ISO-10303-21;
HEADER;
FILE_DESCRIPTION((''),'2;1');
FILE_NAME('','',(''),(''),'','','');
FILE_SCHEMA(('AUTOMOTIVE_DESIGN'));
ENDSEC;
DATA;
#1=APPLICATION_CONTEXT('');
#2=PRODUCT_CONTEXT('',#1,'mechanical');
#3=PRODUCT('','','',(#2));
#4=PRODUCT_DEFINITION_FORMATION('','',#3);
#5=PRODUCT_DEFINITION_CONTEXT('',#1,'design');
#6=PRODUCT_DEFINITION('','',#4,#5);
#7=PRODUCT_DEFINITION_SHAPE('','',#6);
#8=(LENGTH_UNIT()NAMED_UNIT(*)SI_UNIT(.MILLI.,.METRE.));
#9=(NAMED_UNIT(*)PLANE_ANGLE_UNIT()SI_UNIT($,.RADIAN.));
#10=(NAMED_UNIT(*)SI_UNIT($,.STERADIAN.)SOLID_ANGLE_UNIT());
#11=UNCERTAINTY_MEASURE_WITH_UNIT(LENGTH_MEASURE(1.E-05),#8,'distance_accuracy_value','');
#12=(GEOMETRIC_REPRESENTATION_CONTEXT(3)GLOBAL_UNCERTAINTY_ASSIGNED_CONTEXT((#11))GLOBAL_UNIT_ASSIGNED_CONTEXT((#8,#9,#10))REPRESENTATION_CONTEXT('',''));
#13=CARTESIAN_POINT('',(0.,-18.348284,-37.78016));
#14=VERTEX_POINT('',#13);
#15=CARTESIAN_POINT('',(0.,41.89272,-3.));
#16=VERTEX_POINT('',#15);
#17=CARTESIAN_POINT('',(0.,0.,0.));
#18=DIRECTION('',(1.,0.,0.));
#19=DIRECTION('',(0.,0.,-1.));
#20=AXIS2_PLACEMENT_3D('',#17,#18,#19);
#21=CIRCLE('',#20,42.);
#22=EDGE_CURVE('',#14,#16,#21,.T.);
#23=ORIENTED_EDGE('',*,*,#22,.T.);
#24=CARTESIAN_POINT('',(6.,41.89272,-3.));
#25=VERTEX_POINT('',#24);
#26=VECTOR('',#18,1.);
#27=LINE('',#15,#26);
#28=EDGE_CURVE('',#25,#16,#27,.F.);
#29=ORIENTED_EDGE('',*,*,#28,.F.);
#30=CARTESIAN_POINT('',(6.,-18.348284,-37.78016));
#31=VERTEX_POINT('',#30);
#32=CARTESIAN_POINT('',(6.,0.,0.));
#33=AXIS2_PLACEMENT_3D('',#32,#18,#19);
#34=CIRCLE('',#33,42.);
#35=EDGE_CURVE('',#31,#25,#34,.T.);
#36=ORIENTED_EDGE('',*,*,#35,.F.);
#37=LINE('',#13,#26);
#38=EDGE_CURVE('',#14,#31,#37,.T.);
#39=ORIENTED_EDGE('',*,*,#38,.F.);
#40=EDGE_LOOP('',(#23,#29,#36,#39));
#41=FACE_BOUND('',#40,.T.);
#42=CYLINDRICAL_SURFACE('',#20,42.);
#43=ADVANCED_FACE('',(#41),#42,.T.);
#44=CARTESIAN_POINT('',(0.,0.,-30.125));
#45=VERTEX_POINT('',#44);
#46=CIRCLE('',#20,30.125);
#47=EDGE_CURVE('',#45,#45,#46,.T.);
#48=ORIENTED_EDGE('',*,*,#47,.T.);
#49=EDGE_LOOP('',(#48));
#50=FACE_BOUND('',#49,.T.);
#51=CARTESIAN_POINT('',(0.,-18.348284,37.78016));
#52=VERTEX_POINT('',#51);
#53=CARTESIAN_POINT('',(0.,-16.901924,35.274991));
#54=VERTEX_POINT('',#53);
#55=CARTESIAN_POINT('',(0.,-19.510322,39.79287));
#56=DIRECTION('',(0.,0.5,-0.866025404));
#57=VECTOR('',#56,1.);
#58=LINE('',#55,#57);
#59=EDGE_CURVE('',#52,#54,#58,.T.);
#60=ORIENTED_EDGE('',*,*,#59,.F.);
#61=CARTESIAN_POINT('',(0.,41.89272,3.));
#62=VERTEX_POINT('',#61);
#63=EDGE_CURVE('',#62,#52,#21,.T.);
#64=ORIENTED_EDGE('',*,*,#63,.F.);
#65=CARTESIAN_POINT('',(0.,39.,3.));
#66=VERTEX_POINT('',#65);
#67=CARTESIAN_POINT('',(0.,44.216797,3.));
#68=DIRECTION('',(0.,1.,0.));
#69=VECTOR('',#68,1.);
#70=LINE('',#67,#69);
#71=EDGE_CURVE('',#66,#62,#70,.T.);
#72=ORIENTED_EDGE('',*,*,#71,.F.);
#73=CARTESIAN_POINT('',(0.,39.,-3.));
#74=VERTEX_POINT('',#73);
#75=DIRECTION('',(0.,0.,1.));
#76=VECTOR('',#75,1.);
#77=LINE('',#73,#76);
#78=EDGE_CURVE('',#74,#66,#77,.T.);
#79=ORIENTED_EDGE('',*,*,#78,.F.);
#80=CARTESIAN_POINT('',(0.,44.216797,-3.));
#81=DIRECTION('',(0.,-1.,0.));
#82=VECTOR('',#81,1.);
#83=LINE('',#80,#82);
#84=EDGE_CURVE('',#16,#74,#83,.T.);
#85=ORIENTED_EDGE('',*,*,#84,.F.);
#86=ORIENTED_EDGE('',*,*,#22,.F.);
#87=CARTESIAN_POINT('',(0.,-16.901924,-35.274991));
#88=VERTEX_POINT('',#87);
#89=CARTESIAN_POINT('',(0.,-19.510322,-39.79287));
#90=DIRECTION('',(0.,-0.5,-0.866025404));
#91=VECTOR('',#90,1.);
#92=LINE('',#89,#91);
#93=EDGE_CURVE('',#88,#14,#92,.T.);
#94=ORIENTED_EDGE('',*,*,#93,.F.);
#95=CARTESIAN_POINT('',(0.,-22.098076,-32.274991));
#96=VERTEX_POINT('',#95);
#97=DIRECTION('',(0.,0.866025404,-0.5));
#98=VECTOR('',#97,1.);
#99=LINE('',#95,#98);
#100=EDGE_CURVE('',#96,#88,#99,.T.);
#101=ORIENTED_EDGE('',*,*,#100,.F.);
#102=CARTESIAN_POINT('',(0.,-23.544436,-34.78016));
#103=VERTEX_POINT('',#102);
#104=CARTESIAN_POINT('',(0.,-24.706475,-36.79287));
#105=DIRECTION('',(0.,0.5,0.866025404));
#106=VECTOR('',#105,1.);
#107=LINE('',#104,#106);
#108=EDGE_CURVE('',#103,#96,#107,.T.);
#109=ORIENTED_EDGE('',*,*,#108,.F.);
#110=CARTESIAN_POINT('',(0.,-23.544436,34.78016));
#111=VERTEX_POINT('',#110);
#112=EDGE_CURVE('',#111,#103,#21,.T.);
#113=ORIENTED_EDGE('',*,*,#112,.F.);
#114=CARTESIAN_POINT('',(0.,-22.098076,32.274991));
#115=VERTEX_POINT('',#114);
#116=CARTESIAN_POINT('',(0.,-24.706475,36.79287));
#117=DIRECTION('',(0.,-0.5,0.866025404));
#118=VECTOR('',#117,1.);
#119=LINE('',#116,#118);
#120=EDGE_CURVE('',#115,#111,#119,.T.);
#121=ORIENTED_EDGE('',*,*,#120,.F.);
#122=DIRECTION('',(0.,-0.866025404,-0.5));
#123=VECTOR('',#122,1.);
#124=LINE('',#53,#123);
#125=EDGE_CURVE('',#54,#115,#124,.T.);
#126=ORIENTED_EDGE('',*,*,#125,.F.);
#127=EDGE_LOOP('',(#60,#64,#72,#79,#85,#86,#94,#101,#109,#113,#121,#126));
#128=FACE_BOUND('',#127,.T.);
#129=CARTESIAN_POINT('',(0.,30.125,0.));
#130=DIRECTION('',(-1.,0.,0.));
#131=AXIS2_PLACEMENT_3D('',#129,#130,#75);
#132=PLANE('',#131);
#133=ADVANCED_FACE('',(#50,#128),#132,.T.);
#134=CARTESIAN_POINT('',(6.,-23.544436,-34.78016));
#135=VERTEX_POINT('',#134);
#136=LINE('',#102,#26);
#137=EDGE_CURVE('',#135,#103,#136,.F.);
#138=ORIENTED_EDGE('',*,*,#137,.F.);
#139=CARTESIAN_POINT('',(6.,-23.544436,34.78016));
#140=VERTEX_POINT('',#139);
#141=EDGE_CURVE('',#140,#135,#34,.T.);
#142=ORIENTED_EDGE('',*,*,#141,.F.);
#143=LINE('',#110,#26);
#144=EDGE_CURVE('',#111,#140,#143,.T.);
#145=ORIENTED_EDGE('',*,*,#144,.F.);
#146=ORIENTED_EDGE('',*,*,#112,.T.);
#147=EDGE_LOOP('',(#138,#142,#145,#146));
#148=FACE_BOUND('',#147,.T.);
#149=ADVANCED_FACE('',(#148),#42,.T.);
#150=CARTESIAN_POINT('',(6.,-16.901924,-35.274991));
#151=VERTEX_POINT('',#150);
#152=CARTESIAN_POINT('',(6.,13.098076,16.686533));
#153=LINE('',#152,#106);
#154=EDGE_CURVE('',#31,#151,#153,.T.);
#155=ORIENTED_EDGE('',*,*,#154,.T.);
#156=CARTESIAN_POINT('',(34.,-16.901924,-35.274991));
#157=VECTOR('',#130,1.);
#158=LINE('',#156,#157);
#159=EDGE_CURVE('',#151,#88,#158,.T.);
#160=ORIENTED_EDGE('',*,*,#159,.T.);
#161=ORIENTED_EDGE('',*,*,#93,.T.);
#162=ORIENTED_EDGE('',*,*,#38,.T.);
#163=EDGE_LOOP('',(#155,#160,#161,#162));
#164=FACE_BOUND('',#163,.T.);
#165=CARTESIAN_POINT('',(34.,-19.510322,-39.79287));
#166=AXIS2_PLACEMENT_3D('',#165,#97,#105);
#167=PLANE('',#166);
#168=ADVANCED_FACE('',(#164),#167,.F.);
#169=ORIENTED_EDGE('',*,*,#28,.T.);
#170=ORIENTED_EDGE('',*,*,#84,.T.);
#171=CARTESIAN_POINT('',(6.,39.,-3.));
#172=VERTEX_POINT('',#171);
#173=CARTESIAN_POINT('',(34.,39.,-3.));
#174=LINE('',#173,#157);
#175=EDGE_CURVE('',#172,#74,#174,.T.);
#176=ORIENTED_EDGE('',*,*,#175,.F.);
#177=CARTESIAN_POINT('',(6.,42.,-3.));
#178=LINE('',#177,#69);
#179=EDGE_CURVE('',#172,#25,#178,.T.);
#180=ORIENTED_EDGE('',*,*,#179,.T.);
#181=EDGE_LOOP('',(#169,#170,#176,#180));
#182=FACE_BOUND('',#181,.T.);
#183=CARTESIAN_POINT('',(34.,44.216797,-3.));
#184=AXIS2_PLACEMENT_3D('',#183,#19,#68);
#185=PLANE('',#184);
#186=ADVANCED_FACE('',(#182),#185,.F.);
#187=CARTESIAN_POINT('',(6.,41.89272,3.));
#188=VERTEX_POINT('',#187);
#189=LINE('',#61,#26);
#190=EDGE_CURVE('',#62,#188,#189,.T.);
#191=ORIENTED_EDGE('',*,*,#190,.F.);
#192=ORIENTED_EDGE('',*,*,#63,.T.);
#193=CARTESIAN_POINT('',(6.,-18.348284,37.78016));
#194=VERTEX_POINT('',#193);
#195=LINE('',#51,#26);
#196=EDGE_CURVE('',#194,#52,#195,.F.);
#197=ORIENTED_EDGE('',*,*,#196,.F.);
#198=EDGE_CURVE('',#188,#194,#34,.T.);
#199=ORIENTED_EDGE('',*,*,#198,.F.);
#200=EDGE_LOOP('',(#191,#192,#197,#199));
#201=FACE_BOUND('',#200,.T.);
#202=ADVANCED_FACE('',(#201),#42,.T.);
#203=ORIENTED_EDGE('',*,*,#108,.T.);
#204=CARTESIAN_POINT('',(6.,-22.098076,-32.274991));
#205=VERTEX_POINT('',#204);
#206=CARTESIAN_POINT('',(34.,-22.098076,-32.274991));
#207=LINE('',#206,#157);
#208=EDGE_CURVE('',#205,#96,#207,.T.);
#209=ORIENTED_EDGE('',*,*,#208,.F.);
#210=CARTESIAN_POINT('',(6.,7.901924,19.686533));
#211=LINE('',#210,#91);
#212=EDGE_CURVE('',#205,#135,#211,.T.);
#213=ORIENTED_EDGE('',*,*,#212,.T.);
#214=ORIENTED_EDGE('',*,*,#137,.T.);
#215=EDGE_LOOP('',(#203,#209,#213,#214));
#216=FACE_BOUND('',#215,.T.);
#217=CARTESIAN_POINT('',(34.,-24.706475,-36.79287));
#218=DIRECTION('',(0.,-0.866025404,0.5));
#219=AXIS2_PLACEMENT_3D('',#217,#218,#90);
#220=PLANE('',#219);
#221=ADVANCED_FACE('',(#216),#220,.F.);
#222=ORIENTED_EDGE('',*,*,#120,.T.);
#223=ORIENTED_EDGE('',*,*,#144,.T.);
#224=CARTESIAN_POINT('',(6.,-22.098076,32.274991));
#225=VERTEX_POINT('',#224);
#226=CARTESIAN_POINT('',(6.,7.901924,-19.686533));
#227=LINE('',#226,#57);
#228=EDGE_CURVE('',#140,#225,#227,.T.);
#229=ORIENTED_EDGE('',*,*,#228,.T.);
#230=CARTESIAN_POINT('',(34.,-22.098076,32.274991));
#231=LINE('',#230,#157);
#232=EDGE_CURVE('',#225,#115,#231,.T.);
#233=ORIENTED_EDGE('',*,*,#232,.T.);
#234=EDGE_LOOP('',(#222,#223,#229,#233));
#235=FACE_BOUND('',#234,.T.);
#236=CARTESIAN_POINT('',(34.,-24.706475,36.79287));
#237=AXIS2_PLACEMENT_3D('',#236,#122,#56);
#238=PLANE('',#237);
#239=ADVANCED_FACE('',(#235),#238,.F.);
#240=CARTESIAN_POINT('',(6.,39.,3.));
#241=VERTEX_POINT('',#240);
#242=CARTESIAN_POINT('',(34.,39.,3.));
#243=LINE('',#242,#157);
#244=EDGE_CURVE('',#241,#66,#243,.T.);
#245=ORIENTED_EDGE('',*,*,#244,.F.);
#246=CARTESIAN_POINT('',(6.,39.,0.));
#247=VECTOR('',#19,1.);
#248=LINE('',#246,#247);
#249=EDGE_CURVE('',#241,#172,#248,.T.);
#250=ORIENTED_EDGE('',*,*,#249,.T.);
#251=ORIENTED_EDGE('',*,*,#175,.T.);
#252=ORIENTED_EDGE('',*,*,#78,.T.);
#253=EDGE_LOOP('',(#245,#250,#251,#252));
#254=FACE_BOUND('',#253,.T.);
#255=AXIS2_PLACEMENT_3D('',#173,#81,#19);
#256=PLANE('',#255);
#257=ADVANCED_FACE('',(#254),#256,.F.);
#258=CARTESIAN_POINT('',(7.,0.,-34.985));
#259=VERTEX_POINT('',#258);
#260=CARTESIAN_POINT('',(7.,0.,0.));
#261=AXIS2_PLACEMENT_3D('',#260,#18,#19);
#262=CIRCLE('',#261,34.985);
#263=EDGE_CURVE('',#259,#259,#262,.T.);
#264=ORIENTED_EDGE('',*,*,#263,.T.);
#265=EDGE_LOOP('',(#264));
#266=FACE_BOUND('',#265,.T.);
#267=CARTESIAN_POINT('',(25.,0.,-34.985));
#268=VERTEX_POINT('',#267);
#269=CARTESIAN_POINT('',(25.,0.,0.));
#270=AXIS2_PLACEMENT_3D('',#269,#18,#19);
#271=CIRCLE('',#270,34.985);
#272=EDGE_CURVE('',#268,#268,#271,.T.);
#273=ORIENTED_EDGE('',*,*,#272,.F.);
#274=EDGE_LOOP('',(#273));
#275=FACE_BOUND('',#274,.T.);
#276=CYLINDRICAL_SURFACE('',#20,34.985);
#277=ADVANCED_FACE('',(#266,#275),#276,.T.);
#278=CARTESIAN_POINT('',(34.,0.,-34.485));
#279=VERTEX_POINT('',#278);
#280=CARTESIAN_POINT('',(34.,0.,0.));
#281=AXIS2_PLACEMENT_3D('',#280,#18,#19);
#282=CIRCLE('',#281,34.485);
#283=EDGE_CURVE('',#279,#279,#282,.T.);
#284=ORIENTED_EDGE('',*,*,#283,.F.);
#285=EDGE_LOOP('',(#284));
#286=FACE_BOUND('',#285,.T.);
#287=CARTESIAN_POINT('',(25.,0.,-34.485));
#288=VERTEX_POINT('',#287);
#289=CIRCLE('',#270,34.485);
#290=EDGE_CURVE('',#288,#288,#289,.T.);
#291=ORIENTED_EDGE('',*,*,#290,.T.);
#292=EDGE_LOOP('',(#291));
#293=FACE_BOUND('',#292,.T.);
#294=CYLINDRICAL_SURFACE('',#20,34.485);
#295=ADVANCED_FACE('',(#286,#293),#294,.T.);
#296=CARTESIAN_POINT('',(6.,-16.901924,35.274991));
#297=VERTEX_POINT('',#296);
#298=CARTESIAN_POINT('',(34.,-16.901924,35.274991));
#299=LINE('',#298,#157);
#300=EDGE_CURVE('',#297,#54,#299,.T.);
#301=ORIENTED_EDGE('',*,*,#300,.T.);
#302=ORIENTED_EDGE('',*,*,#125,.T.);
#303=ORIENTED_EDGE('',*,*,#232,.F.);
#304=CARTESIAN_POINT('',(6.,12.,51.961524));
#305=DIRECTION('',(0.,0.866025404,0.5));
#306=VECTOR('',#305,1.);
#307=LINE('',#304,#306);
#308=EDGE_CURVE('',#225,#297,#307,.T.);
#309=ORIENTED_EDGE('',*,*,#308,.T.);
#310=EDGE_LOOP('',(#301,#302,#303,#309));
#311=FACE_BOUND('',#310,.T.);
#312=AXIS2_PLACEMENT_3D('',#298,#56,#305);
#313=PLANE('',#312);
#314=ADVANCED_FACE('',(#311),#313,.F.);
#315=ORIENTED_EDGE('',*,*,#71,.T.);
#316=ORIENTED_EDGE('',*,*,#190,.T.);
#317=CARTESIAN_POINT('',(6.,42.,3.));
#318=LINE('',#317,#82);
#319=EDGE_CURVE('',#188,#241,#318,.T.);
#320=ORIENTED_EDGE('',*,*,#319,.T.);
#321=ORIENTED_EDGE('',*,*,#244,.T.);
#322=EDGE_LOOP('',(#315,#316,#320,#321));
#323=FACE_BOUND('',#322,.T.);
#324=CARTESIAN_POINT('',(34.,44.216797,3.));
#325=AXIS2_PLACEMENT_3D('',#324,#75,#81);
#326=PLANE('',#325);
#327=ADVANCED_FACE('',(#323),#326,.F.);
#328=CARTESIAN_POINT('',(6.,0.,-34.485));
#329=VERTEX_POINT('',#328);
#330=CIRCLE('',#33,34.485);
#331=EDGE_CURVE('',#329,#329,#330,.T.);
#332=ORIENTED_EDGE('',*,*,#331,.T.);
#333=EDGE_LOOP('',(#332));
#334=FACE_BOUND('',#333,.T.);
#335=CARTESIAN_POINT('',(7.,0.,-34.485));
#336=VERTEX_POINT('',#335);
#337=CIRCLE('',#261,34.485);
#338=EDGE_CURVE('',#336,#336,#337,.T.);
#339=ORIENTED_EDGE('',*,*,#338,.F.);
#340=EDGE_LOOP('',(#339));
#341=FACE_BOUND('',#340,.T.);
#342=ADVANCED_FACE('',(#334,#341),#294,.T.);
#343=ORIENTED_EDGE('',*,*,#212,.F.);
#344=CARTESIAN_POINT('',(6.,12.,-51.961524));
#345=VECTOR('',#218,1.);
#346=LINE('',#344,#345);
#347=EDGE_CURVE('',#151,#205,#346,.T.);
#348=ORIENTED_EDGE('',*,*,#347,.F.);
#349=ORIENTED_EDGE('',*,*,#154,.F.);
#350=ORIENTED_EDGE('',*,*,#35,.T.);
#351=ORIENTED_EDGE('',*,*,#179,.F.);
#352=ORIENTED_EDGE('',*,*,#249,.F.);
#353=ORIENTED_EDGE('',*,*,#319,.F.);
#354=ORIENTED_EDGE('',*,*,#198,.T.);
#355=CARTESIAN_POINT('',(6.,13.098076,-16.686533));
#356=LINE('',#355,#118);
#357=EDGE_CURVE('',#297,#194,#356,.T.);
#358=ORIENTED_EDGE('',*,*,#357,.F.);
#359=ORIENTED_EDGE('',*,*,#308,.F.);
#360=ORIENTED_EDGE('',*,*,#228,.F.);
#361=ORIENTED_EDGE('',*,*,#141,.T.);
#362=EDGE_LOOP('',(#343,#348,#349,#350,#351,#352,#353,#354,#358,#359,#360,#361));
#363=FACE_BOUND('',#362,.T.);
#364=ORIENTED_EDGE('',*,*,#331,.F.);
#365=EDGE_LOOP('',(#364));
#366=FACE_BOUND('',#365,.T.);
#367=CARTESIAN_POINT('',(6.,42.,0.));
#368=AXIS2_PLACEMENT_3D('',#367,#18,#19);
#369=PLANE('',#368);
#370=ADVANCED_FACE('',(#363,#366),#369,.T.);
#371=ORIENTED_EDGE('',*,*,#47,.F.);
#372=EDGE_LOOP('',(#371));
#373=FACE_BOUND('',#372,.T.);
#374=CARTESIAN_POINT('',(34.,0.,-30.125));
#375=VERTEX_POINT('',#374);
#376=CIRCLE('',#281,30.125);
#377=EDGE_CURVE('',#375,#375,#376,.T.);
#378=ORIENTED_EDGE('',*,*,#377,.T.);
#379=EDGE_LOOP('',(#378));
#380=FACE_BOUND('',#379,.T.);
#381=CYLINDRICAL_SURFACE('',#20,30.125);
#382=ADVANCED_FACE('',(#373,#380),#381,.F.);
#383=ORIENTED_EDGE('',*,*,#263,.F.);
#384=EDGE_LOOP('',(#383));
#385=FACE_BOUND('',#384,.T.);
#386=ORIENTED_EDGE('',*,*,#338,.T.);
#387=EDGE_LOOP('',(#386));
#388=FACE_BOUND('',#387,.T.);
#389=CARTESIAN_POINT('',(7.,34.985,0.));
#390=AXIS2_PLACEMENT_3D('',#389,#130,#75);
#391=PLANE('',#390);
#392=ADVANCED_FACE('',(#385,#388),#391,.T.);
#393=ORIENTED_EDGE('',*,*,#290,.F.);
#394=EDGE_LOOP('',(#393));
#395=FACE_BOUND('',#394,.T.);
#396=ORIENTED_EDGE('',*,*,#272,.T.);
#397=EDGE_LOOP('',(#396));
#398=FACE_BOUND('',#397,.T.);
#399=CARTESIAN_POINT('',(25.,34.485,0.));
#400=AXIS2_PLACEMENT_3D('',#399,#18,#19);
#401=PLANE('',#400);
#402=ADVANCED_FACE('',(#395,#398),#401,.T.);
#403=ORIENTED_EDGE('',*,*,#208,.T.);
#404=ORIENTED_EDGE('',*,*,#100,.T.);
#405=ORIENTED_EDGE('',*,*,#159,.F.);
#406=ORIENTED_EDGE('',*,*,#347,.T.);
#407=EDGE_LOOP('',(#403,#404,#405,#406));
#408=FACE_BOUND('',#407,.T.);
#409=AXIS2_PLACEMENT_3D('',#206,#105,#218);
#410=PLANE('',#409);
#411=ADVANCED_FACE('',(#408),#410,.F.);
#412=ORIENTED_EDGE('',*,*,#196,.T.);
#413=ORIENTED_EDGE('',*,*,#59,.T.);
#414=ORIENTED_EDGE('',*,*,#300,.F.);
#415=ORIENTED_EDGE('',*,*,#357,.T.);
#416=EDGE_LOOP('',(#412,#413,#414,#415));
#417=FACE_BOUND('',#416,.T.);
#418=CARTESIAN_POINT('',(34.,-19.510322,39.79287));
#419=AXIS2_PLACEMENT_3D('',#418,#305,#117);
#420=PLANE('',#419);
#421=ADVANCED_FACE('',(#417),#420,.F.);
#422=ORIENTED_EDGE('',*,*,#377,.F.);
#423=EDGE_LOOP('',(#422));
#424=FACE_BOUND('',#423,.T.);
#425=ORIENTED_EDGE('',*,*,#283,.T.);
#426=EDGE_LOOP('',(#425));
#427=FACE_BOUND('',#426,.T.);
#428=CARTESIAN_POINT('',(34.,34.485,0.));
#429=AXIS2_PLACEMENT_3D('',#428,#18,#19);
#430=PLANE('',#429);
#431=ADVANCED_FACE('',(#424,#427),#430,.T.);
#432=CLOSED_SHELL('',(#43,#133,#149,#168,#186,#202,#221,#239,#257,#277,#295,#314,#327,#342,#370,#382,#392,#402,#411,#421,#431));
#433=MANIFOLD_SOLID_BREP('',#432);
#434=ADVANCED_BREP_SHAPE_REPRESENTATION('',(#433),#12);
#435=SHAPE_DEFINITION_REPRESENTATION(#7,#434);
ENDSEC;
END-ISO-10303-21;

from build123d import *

# Parameters (mm, degrees)
SKETCH2_W          = 6
SKETCH2_H          = 5.216797091
CUT_EXTRUDE1_DEPTH = 69.439754529
CIRPATTERN1_COUNT  = 3


with BuildPart() as part:
    # Sketch1 → Revolve1 (revolve)
    with BuildSketch(Plane.XY, mode=Mode.PRIVATE) as revolve1_sk:
        Polygon((0, 30.125), (0, 42), (6, 42), (6, 34.485), (7, 34.485), (7, 34.985), (25, 34.985), (25, 34.485), (34, 34.485), (34, 30.125), align=None)
    revolve(revolve1_sk.sketch.rotate(Axis((0, 0, 0), (-1, 0, 0)), 90), axis=Axis((0, 0, 0), (-1, 0, 0)))

    # Sketch2 → Cut-Extrude1 (cut, through all)
    with BuildSketch(Plane.ZY):
        with Locations((0, 41.608398546)):
            Rectangle(SKETCH2_W, SKETCH2_H)
    cut_extrude1 = extrude(amount=-CUT_EXTRUDE1_DEPTH, mode=Mode.SUBTRACT)

    # CirPattern1: Cut-Extrude1 ×3 about axis
    cirpattern1_axis = Axis((0, 0, 0), (1, 0, 0))
    for i in range(1, CIRPATTERN1_COUNT):
        add(cut_extrude1.rotate(cirpattern1_axis, i * 360 / CIRPATTERN1_COUNT), mode=Mode.SUBTRACT)


solid = part.part
